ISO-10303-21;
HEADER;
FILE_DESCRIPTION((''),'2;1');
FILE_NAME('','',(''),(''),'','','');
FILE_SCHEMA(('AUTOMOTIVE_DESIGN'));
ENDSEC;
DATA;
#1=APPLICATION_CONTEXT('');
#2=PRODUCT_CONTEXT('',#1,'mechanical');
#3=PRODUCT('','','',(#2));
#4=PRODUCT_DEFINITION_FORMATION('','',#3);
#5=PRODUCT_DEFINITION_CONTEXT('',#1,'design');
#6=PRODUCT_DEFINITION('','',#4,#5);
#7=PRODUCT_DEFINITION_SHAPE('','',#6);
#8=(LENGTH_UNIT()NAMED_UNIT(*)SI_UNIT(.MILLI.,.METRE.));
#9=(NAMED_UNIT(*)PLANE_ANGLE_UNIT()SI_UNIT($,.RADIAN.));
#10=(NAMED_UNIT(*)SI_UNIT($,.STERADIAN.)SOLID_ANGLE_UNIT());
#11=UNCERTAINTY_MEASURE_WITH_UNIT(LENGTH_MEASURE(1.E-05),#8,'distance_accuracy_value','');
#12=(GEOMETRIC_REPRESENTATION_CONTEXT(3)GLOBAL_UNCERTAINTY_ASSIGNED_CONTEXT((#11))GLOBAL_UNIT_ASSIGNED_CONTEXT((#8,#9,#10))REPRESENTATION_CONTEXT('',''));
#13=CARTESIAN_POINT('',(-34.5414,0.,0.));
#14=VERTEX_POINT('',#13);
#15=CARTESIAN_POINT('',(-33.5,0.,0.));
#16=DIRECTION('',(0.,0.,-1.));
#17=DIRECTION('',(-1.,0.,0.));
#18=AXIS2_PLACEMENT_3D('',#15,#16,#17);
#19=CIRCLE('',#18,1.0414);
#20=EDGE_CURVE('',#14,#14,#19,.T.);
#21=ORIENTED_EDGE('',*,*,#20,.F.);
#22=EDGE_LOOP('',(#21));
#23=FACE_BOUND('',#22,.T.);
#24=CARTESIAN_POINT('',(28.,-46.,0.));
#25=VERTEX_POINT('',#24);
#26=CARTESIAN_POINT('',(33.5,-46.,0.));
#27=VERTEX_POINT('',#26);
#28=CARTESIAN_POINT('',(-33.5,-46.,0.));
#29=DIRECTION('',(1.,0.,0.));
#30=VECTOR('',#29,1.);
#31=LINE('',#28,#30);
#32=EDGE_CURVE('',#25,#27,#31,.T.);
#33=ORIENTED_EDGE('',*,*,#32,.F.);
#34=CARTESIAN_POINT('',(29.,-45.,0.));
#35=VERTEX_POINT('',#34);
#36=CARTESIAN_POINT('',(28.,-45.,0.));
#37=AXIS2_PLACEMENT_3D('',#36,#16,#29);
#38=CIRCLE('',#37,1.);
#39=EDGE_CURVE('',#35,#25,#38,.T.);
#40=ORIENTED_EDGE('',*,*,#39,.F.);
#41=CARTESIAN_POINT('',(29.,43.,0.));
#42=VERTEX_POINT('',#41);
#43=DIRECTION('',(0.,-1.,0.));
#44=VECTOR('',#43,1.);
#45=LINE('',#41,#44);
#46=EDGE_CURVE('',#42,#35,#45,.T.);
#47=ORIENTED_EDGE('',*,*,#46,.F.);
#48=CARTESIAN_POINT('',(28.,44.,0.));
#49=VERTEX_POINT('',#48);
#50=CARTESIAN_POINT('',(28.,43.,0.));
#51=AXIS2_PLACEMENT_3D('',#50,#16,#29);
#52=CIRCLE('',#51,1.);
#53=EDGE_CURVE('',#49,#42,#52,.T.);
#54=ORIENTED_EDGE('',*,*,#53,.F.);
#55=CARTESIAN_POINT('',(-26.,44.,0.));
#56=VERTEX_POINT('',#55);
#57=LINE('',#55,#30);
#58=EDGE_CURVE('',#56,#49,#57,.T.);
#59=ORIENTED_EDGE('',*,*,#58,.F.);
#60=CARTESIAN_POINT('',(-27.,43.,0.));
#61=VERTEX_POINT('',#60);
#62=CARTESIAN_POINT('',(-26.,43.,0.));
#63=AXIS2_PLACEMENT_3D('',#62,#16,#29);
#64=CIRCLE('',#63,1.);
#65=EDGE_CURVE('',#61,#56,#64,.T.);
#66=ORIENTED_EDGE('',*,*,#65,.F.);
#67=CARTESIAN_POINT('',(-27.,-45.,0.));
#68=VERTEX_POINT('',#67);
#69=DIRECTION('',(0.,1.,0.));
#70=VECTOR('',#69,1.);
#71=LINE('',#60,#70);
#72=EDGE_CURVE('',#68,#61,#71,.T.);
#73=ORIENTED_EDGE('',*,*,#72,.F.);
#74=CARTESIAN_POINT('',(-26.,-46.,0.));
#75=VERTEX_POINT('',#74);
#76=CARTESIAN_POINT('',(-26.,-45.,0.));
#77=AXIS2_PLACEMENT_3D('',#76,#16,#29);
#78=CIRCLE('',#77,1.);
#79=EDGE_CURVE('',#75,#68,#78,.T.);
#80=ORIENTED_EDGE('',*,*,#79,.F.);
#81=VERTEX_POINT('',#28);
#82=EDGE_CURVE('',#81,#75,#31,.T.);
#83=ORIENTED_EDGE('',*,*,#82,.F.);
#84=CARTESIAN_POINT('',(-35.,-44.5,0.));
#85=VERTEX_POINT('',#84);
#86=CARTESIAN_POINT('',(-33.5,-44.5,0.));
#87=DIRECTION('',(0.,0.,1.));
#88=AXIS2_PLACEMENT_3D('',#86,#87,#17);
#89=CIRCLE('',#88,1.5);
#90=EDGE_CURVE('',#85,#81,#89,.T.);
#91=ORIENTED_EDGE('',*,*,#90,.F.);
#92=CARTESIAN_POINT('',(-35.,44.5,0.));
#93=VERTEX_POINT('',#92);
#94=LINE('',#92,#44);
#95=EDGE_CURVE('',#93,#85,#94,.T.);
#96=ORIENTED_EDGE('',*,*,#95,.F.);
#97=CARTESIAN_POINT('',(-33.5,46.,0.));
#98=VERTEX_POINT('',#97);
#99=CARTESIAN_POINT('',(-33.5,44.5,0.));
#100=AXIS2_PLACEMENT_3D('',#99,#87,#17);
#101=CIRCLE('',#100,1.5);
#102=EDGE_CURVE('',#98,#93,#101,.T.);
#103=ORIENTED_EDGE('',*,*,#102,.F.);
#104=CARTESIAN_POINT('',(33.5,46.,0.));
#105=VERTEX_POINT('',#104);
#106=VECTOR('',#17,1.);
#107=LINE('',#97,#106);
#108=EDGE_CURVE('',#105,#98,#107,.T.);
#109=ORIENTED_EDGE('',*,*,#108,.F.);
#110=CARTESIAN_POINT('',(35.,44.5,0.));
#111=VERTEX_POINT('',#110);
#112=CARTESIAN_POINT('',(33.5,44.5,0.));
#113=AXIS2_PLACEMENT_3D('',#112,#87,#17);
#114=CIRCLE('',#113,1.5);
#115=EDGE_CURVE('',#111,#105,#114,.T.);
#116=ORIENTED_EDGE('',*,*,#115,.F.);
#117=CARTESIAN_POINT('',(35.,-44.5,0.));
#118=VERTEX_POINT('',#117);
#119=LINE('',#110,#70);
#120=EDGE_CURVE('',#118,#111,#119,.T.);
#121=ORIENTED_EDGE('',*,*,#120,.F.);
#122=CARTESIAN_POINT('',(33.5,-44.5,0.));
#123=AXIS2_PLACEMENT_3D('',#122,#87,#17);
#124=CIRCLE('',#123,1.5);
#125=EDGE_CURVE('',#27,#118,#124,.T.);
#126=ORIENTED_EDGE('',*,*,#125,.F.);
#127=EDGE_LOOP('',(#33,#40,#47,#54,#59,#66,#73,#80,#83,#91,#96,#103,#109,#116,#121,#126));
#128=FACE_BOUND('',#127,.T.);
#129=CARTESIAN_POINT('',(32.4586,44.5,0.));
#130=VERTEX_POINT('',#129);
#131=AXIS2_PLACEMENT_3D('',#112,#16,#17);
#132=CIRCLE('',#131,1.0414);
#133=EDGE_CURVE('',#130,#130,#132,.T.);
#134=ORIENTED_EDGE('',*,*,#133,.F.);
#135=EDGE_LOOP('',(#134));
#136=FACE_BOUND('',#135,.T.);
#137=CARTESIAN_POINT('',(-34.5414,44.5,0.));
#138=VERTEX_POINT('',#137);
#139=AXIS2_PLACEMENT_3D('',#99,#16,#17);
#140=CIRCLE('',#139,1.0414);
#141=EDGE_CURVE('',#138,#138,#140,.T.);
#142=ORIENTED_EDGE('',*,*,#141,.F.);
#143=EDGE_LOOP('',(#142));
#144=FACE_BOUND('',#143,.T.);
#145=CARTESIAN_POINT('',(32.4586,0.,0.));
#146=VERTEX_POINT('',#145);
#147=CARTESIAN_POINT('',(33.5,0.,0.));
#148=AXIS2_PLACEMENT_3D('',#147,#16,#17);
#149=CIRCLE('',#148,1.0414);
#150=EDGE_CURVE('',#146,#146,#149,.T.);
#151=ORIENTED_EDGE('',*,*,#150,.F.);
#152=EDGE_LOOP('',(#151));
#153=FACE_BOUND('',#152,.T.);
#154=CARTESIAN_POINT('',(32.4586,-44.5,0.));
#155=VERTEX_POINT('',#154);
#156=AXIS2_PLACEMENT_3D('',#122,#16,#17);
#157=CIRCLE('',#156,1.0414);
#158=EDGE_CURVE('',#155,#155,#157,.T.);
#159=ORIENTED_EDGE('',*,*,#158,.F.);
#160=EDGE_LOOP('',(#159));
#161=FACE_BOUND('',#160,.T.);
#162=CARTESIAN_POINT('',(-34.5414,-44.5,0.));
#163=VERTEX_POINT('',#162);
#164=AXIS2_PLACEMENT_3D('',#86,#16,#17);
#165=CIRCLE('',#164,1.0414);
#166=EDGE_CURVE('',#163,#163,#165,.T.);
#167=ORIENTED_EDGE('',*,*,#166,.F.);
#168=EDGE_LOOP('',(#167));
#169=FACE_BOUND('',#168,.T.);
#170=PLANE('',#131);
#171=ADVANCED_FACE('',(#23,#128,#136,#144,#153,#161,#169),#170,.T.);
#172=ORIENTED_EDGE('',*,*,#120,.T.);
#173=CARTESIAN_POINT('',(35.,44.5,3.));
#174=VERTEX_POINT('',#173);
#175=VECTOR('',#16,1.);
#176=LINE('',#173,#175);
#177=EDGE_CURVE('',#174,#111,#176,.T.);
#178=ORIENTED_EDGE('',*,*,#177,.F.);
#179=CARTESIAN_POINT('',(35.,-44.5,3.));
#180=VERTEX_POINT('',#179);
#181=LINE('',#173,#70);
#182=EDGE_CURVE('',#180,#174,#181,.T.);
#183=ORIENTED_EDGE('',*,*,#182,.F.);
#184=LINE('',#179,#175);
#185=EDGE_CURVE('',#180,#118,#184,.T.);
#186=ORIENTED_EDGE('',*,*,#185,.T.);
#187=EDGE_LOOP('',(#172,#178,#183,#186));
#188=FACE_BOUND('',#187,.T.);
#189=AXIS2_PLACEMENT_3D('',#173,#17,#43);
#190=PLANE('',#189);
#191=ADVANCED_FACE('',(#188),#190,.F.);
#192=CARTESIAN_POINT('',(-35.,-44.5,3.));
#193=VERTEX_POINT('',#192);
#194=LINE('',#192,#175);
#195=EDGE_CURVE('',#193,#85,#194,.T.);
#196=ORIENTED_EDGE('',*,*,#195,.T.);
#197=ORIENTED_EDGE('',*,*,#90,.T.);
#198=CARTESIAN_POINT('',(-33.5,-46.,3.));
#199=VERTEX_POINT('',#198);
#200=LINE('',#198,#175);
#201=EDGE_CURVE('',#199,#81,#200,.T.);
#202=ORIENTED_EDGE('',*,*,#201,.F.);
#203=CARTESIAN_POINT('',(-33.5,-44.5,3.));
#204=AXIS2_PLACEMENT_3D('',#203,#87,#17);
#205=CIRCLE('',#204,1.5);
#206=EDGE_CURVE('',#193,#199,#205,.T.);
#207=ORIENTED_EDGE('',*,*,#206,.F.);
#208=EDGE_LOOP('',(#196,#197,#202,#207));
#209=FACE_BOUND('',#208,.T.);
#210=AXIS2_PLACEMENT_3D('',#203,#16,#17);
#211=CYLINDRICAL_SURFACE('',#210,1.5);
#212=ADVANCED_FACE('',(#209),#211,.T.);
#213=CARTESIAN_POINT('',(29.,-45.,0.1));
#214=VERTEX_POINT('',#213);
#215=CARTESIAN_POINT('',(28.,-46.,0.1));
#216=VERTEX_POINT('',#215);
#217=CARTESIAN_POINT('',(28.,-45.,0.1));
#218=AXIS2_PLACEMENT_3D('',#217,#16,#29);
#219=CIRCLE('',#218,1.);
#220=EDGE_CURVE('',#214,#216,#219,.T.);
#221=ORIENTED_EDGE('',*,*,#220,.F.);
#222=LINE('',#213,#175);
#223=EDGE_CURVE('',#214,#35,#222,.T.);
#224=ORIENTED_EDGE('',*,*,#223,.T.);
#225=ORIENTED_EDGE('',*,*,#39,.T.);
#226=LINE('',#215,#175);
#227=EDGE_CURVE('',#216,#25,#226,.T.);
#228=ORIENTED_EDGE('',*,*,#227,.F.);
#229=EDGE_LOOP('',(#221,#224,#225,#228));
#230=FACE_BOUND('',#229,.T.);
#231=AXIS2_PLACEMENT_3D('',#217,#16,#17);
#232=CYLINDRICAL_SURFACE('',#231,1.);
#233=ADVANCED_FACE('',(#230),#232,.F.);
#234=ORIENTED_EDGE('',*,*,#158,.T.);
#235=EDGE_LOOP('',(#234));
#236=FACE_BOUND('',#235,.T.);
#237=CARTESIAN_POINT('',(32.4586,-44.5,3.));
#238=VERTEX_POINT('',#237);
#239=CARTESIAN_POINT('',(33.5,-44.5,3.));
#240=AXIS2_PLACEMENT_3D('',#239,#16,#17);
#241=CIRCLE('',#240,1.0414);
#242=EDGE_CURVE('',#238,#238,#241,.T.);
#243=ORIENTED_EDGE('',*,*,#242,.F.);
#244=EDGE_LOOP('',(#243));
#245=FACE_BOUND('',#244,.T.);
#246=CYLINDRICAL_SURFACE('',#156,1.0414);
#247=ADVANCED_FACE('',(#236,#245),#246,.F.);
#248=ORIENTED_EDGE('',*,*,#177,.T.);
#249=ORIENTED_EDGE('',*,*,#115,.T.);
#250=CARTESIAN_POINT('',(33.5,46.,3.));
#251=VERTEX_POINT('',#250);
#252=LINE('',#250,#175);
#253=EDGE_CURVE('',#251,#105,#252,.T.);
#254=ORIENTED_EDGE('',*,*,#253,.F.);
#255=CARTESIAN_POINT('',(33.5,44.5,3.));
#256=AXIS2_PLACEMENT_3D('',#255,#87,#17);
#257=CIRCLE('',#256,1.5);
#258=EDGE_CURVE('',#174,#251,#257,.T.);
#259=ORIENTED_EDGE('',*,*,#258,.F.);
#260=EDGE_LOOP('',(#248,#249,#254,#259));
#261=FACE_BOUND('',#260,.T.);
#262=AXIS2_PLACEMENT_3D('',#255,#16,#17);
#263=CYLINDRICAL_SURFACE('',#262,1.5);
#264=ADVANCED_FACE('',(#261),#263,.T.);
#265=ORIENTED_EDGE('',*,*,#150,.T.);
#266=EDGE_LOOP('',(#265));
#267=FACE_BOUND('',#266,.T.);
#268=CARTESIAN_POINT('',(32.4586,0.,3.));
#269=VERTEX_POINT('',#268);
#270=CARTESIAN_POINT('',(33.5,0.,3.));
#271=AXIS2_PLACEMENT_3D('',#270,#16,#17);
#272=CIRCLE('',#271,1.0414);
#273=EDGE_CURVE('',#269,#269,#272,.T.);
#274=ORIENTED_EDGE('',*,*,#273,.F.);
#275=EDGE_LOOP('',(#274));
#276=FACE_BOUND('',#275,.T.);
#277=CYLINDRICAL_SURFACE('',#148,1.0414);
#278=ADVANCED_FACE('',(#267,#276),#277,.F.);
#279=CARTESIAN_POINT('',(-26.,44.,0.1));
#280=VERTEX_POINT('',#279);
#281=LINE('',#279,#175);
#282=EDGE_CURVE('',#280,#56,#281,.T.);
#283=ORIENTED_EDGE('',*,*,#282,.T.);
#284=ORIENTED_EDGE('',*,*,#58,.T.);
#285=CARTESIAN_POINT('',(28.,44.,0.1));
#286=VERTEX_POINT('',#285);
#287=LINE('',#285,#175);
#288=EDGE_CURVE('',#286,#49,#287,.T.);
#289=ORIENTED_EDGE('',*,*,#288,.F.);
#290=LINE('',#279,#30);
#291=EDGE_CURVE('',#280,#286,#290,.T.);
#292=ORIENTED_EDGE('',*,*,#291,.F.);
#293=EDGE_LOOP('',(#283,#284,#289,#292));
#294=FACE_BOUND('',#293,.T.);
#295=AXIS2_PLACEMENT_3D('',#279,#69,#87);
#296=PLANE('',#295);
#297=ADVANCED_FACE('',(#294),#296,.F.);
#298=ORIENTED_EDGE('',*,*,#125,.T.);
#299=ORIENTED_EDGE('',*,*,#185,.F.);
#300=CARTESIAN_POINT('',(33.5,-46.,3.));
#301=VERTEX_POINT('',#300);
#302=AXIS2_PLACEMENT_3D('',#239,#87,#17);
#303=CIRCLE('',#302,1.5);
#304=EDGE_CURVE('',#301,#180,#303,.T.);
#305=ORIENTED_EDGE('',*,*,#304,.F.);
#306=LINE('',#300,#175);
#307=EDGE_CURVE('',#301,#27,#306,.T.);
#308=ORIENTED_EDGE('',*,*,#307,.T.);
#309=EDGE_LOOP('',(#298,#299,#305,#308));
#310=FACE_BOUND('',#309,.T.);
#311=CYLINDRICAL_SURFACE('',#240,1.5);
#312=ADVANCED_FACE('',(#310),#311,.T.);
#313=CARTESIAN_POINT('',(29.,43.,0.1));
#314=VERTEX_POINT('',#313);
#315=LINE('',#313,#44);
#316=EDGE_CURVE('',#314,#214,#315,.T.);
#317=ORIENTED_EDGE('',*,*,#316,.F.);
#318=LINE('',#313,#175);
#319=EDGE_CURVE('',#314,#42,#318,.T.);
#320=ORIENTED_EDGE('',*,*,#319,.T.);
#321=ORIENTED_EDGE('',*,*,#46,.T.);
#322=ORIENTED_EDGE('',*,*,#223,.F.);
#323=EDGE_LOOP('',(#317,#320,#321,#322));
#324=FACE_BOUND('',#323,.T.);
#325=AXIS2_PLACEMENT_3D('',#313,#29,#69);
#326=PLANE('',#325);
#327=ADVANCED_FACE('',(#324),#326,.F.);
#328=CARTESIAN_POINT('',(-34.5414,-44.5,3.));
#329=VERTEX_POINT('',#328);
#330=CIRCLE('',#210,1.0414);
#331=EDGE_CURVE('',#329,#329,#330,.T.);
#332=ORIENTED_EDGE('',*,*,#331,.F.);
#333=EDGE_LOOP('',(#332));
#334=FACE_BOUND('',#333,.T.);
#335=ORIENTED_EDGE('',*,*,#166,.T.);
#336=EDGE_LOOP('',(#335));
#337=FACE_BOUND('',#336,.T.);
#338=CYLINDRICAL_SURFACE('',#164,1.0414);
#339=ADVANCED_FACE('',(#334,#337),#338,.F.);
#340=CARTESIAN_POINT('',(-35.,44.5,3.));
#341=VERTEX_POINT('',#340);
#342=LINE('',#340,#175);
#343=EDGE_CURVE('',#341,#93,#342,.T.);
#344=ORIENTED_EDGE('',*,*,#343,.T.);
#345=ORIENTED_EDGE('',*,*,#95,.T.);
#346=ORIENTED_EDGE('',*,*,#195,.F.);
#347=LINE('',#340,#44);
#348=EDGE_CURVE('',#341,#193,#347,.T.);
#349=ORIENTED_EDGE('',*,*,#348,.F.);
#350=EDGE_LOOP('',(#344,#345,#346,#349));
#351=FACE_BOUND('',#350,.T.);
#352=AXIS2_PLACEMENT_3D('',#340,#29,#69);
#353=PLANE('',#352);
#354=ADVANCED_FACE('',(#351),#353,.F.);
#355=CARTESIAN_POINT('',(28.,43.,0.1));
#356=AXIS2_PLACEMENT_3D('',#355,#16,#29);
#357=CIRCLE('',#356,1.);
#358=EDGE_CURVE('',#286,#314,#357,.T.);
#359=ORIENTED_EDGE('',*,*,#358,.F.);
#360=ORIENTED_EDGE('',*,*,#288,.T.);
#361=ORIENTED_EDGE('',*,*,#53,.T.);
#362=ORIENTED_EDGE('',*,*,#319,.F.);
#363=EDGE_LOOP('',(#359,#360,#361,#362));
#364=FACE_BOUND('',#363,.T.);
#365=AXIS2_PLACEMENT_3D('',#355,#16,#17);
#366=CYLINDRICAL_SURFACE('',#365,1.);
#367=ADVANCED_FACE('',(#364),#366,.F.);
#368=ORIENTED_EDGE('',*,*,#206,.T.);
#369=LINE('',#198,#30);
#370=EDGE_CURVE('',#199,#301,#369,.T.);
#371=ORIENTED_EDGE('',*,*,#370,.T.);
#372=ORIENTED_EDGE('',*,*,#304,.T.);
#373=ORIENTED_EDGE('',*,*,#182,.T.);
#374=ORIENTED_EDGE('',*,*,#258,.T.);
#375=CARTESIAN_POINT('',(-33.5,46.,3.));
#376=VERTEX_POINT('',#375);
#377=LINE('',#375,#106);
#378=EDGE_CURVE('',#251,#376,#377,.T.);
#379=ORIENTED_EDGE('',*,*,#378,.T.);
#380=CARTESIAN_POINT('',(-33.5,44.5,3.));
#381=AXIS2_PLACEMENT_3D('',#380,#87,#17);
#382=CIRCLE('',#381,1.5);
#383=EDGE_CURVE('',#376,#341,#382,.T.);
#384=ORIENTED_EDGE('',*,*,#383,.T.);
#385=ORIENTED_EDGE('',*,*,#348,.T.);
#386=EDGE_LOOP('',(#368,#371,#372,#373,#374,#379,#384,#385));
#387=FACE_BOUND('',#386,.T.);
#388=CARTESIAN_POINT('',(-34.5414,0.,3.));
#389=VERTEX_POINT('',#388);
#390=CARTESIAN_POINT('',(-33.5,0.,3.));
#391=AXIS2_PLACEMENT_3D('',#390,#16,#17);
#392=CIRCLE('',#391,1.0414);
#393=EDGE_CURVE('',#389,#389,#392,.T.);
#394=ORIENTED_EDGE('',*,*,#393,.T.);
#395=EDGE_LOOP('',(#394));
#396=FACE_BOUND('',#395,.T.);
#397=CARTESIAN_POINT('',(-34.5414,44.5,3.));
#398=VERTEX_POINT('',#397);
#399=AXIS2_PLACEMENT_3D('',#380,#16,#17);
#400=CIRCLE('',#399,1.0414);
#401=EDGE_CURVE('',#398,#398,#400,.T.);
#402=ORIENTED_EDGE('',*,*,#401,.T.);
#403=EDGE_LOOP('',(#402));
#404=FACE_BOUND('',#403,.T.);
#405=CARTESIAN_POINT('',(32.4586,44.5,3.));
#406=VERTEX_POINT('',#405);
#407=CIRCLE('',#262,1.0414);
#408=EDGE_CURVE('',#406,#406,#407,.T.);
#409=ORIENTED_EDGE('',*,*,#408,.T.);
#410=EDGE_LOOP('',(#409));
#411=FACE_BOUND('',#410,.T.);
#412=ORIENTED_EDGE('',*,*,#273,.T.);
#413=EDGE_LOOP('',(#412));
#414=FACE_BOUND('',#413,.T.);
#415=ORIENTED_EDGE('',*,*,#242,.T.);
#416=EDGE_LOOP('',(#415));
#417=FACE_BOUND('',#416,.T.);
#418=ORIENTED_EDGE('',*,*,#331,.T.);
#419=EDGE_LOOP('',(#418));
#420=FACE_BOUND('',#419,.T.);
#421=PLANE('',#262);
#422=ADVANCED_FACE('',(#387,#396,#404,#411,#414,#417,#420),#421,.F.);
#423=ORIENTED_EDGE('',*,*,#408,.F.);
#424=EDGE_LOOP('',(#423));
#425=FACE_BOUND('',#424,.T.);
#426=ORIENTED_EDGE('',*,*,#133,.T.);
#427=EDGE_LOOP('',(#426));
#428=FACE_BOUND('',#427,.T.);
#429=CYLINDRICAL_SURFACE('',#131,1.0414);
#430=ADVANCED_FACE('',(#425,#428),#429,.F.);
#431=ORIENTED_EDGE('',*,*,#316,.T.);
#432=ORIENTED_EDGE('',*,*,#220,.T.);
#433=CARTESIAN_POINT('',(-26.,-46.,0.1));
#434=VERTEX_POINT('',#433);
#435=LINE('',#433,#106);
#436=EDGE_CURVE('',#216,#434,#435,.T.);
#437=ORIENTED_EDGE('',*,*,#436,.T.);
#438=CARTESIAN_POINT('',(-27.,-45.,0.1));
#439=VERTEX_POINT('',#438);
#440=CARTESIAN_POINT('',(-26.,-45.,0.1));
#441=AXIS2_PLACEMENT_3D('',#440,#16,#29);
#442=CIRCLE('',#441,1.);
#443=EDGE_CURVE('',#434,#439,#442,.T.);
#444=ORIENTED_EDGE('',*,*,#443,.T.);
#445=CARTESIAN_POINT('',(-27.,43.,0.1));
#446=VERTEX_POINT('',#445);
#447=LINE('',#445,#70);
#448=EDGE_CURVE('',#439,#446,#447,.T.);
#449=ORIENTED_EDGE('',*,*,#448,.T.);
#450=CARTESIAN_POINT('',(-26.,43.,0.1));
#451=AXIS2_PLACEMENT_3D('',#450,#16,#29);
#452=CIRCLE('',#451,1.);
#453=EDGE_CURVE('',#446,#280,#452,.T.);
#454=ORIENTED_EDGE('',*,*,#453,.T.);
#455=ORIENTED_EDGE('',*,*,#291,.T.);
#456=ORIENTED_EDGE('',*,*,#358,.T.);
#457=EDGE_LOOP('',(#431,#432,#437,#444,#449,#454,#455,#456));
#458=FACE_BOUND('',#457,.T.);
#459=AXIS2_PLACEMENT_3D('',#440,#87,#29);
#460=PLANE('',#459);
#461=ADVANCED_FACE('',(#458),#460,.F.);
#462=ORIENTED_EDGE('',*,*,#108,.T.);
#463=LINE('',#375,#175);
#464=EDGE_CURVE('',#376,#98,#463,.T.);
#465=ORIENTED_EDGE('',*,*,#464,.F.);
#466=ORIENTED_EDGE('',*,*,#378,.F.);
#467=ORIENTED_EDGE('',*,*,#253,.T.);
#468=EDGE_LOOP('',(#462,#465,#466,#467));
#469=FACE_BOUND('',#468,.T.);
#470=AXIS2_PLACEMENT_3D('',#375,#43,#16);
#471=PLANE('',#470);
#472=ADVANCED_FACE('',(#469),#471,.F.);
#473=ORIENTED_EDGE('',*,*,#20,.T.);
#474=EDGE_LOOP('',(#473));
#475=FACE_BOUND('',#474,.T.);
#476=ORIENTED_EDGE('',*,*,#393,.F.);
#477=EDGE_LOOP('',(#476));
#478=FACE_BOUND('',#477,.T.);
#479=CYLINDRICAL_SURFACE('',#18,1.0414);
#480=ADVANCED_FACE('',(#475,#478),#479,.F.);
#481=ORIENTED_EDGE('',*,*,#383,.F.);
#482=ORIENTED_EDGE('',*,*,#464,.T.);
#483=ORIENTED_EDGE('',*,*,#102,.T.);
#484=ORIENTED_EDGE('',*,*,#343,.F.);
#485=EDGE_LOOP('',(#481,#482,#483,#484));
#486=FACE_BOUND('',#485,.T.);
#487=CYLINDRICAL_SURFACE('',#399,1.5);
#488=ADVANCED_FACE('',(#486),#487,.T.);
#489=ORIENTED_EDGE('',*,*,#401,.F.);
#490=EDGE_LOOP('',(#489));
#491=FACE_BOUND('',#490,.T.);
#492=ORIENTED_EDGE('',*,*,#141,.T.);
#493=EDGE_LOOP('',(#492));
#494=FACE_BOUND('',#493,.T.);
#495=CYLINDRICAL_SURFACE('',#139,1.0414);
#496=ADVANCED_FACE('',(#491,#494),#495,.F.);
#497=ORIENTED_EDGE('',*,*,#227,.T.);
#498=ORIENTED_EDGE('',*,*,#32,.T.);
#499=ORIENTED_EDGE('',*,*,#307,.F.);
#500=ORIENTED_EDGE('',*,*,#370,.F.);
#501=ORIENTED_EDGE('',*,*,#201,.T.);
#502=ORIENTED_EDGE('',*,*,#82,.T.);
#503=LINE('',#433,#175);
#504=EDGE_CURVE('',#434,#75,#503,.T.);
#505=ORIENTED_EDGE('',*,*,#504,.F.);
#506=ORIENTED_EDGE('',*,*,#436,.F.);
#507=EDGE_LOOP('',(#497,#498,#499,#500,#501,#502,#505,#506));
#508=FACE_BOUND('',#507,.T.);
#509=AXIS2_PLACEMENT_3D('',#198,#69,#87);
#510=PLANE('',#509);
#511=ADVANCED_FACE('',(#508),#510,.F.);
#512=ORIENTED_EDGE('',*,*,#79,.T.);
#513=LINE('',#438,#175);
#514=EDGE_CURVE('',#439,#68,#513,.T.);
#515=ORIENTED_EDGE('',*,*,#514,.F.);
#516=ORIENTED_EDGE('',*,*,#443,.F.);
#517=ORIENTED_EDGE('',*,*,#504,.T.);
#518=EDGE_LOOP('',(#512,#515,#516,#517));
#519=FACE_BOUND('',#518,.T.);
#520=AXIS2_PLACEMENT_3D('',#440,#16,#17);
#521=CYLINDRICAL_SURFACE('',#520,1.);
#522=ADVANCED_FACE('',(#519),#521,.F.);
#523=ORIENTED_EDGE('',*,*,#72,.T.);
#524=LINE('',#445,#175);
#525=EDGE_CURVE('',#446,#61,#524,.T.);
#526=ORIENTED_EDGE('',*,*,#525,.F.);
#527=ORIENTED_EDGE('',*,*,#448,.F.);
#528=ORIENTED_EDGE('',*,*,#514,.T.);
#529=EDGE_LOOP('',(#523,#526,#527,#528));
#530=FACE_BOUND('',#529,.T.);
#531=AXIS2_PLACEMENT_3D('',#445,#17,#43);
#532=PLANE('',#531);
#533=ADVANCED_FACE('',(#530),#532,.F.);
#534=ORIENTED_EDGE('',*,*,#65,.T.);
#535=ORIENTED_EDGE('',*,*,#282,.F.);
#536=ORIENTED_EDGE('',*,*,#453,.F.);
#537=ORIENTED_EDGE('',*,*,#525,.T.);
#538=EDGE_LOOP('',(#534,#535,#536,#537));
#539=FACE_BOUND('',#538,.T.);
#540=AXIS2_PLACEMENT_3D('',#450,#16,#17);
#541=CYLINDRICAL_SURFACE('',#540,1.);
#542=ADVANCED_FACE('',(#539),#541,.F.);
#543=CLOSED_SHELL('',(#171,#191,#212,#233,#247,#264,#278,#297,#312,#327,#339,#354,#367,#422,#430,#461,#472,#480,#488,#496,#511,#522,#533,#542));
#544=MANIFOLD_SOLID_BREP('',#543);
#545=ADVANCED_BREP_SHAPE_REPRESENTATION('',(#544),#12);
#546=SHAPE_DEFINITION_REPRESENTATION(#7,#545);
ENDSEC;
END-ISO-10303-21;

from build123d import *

# Parameters (mm, degrees)
BOSS_EXTRUDE1_DEPTH       = 3
TAP_DRILL_FOR_3_56_TAP1_D = 2.0828
CUT_EXTRUDE1_DEPTH        = 0.1


with BuildPart() as part:
    # Sketch1 → Boss-Extrude1 (new body)
    with BuildSketch(Plane.XY):
        with BuildLine():
            Line((-33.5, 46), (33.5, 46))
            ThreePointArc((33.5, 46), (34.560660172, 45.560660172), (35, 44.5))
            Line((35, 44.5), (35, -44.5))
            ThreePointArc((35, -44.5), (34.560660172, -45.560660172), (33.5, -46))
            Line((33.5, -46), (-33.5, -46))
            ThreePointArc((-33.5, -46), (-34.560660172, -45.560660172), (-35, -44.5))
            Line((-35, -44.5), (-35, 44.5))
            ThreePointArc((-35, 44.5), (-34.560660172, 45.560660172), (-33.5, 46))
        make_face()
    extrude(amount=BOSS_EXTRUDE1_DEPTH)

    # Tap Drill for #3-56 Tap1 (through all)
    with Locations(Plane(origin=(0, 0, 0), x_dir=(-1, 0, 0), z_dir=(0, 0, -1))):
        with Locations((-33.5, 44.5), (33.5, -44.5), (33.5, 0), (-33.5, 0), (-33.5, -44.5), (33.5, 44.5)):
            Hole(TAP_DRILL_FOR_3_56_TAP1_D / 2)

    # Sketch7 → Cut-Extrude1 (cut)
    with BuildSketch(Plane(origin=(0, 0, 0), x_dir=(-1, 0, 0), z_dir=(0, 0, -1))):
        with BuildLine():
            Line((26, 44), (-28, 44))
            ThreePointArc((-28, 44), (-28.707106781, 43.707106781), (-29, 43))
            Line((-29, 43), (-29, -45))
            ThreePointArc((-29, -45), (-28.707106781, -45.707106781), (-28, -46))
            Line((-28, -46), (26, -46))
            ThreePointArc((26, -46), (26.707106781, -45.707106781), (27, -45))
            Line((27, -45), (27, 43))
            ThreePointArc((27, 43), (26.707106781, 43.707106781), (26, 44))
        make_face()
    extrude(amount=-CUT_EXTRUDE1_DEPTH, mode=Mode.SUBTRACT)


solid = part.part
